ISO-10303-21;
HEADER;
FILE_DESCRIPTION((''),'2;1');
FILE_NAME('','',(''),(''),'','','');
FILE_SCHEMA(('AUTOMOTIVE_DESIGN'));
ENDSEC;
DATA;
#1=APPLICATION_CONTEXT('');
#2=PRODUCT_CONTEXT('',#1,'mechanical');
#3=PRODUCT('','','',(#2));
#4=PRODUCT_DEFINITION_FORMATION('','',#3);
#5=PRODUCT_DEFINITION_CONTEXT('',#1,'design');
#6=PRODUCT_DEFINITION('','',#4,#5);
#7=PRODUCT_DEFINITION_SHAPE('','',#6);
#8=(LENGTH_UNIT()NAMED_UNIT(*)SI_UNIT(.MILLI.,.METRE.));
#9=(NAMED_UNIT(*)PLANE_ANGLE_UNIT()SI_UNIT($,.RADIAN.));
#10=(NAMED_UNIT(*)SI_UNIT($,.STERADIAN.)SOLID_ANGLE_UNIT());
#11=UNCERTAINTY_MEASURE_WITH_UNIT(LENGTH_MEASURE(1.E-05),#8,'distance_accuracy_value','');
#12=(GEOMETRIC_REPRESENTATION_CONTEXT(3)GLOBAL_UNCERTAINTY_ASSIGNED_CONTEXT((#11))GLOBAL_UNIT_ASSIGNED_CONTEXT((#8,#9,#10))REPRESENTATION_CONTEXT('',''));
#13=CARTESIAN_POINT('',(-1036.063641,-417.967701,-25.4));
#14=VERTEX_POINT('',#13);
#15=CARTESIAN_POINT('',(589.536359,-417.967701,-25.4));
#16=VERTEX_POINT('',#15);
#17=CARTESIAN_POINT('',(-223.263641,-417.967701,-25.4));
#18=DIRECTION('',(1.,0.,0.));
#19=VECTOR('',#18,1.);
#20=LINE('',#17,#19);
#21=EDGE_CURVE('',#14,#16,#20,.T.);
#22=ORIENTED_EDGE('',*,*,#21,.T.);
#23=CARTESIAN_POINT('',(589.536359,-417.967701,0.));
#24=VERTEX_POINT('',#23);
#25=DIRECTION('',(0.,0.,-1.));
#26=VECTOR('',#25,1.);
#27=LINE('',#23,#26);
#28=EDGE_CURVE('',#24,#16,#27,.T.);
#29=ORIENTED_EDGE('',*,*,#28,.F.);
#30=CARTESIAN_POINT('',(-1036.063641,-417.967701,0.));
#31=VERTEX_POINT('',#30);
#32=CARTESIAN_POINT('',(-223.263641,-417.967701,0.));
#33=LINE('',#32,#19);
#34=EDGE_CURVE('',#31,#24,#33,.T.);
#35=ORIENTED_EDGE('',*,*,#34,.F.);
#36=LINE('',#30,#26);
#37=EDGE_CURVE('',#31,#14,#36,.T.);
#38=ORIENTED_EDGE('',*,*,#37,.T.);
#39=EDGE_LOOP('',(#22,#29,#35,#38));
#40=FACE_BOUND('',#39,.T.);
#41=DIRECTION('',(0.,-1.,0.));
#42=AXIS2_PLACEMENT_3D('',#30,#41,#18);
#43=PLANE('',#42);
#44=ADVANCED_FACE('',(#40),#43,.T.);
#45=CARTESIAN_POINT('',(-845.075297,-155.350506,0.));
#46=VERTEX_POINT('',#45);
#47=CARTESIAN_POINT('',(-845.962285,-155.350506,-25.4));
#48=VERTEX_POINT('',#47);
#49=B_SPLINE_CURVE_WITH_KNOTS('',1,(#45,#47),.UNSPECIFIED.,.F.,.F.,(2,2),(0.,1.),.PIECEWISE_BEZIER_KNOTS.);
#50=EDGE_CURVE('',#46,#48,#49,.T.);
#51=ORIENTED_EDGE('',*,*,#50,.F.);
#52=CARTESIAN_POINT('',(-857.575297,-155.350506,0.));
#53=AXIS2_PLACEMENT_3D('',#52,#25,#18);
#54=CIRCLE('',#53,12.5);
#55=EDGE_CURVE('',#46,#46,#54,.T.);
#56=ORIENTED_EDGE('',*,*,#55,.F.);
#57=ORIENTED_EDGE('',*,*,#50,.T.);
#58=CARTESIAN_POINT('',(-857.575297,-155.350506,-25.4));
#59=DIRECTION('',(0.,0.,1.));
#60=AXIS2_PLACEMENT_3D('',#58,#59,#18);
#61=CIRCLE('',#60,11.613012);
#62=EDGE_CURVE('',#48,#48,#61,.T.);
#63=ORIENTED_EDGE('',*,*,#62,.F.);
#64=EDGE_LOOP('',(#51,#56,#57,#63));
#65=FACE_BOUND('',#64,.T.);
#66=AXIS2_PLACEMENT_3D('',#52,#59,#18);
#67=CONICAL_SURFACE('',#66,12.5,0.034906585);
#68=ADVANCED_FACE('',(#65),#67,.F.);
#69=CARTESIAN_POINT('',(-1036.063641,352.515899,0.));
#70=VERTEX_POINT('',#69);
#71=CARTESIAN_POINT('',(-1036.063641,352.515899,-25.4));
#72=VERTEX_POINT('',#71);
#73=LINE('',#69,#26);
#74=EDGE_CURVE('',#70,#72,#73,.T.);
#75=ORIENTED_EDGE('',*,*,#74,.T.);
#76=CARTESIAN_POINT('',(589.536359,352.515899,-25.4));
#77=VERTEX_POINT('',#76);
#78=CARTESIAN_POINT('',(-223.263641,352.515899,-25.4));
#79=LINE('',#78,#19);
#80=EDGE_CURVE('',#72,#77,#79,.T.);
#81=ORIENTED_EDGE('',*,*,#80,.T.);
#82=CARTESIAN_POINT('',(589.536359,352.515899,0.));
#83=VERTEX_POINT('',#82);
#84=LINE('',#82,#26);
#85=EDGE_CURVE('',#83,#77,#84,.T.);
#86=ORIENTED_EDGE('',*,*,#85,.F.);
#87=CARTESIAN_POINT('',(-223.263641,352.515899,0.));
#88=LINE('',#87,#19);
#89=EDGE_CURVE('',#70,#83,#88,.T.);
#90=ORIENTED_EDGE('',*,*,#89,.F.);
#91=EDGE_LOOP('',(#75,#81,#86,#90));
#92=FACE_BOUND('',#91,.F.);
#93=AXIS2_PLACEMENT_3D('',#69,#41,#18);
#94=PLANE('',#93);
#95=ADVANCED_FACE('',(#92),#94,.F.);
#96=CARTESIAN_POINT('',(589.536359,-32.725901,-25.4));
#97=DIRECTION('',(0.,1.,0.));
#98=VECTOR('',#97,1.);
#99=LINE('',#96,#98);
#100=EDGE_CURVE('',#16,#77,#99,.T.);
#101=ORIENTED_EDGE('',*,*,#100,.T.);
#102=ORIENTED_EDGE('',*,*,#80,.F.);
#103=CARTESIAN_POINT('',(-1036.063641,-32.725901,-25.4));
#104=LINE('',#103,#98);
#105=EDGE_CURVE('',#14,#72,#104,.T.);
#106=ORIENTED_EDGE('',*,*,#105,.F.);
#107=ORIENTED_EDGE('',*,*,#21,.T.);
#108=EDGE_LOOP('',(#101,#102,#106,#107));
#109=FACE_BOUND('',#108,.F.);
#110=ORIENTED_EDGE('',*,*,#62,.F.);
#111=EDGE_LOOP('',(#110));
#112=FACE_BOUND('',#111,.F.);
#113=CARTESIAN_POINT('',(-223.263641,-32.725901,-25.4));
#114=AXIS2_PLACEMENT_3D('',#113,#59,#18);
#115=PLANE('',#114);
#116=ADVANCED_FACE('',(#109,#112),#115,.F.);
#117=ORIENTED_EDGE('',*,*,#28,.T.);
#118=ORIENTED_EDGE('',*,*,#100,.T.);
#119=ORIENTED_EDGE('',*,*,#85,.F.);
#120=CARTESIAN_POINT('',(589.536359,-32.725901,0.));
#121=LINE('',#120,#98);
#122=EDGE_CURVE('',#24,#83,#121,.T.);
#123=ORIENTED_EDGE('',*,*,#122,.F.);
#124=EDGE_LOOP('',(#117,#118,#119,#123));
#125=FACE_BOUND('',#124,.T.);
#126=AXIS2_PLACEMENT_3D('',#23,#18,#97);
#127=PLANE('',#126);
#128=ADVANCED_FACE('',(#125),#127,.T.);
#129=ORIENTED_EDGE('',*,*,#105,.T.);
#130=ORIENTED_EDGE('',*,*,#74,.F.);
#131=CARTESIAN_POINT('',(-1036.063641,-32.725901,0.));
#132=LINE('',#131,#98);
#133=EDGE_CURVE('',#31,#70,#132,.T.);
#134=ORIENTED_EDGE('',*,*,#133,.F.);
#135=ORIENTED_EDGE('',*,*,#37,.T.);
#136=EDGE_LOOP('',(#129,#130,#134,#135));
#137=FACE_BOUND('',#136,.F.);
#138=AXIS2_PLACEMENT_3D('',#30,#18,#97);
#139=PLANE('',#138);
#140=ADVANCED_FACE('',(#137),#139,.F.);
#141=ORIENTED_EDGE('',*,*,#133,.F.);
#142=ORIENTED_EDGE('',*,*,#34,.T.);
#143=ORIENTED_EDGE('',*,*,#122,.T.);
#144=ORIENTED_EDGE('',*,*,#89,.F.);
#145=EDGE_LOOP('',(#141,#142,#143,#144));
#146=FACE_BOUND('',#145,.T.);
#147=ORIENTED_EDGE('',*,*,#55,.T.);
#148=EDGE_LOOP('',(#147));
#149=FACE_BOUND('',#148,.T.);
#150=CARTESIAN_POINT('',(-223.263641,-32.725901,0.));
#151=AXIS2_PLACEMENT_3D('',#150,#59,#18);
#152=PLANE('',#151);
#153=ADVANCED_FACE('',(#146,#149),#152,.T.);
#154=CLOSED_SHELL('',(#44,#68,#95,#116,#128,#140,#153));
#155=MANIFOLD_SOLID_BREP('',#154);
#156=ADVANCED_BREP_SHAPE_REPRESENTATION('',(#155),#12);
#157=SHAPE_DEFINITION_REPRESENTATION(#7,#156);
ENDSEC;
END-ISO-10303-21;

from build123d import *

# Parameters (mm, degrees)
F1_W     = 1625.6
F1_H     = 770.4836
F2_DEPTH = 25.4
F4_R     = 12.5
F5_DEPTH = 25.4
F5_TAPER = 2


with BuildPart() as f2:
    # F1 (on Top) → F2 (new body)
    with BuildSketch(Plane.XY):
        with Locations((-223.2636412111, -32.7259012833)):
            Rectangle(F1_W, F1_H)
    extrude(amount=-F2_DEPTH)

    # F4 (on face) → F5 (cut)
    with BuildSketch(Plane.XY):
        with Locations((-857.5752973557, -155.3505063057)):
            Circle(F4_R)
    extrude(amount=-F5_DEPTH, taper=F5_TAPER, mode=Mode.SUBTRACT)


solid = f2.part
